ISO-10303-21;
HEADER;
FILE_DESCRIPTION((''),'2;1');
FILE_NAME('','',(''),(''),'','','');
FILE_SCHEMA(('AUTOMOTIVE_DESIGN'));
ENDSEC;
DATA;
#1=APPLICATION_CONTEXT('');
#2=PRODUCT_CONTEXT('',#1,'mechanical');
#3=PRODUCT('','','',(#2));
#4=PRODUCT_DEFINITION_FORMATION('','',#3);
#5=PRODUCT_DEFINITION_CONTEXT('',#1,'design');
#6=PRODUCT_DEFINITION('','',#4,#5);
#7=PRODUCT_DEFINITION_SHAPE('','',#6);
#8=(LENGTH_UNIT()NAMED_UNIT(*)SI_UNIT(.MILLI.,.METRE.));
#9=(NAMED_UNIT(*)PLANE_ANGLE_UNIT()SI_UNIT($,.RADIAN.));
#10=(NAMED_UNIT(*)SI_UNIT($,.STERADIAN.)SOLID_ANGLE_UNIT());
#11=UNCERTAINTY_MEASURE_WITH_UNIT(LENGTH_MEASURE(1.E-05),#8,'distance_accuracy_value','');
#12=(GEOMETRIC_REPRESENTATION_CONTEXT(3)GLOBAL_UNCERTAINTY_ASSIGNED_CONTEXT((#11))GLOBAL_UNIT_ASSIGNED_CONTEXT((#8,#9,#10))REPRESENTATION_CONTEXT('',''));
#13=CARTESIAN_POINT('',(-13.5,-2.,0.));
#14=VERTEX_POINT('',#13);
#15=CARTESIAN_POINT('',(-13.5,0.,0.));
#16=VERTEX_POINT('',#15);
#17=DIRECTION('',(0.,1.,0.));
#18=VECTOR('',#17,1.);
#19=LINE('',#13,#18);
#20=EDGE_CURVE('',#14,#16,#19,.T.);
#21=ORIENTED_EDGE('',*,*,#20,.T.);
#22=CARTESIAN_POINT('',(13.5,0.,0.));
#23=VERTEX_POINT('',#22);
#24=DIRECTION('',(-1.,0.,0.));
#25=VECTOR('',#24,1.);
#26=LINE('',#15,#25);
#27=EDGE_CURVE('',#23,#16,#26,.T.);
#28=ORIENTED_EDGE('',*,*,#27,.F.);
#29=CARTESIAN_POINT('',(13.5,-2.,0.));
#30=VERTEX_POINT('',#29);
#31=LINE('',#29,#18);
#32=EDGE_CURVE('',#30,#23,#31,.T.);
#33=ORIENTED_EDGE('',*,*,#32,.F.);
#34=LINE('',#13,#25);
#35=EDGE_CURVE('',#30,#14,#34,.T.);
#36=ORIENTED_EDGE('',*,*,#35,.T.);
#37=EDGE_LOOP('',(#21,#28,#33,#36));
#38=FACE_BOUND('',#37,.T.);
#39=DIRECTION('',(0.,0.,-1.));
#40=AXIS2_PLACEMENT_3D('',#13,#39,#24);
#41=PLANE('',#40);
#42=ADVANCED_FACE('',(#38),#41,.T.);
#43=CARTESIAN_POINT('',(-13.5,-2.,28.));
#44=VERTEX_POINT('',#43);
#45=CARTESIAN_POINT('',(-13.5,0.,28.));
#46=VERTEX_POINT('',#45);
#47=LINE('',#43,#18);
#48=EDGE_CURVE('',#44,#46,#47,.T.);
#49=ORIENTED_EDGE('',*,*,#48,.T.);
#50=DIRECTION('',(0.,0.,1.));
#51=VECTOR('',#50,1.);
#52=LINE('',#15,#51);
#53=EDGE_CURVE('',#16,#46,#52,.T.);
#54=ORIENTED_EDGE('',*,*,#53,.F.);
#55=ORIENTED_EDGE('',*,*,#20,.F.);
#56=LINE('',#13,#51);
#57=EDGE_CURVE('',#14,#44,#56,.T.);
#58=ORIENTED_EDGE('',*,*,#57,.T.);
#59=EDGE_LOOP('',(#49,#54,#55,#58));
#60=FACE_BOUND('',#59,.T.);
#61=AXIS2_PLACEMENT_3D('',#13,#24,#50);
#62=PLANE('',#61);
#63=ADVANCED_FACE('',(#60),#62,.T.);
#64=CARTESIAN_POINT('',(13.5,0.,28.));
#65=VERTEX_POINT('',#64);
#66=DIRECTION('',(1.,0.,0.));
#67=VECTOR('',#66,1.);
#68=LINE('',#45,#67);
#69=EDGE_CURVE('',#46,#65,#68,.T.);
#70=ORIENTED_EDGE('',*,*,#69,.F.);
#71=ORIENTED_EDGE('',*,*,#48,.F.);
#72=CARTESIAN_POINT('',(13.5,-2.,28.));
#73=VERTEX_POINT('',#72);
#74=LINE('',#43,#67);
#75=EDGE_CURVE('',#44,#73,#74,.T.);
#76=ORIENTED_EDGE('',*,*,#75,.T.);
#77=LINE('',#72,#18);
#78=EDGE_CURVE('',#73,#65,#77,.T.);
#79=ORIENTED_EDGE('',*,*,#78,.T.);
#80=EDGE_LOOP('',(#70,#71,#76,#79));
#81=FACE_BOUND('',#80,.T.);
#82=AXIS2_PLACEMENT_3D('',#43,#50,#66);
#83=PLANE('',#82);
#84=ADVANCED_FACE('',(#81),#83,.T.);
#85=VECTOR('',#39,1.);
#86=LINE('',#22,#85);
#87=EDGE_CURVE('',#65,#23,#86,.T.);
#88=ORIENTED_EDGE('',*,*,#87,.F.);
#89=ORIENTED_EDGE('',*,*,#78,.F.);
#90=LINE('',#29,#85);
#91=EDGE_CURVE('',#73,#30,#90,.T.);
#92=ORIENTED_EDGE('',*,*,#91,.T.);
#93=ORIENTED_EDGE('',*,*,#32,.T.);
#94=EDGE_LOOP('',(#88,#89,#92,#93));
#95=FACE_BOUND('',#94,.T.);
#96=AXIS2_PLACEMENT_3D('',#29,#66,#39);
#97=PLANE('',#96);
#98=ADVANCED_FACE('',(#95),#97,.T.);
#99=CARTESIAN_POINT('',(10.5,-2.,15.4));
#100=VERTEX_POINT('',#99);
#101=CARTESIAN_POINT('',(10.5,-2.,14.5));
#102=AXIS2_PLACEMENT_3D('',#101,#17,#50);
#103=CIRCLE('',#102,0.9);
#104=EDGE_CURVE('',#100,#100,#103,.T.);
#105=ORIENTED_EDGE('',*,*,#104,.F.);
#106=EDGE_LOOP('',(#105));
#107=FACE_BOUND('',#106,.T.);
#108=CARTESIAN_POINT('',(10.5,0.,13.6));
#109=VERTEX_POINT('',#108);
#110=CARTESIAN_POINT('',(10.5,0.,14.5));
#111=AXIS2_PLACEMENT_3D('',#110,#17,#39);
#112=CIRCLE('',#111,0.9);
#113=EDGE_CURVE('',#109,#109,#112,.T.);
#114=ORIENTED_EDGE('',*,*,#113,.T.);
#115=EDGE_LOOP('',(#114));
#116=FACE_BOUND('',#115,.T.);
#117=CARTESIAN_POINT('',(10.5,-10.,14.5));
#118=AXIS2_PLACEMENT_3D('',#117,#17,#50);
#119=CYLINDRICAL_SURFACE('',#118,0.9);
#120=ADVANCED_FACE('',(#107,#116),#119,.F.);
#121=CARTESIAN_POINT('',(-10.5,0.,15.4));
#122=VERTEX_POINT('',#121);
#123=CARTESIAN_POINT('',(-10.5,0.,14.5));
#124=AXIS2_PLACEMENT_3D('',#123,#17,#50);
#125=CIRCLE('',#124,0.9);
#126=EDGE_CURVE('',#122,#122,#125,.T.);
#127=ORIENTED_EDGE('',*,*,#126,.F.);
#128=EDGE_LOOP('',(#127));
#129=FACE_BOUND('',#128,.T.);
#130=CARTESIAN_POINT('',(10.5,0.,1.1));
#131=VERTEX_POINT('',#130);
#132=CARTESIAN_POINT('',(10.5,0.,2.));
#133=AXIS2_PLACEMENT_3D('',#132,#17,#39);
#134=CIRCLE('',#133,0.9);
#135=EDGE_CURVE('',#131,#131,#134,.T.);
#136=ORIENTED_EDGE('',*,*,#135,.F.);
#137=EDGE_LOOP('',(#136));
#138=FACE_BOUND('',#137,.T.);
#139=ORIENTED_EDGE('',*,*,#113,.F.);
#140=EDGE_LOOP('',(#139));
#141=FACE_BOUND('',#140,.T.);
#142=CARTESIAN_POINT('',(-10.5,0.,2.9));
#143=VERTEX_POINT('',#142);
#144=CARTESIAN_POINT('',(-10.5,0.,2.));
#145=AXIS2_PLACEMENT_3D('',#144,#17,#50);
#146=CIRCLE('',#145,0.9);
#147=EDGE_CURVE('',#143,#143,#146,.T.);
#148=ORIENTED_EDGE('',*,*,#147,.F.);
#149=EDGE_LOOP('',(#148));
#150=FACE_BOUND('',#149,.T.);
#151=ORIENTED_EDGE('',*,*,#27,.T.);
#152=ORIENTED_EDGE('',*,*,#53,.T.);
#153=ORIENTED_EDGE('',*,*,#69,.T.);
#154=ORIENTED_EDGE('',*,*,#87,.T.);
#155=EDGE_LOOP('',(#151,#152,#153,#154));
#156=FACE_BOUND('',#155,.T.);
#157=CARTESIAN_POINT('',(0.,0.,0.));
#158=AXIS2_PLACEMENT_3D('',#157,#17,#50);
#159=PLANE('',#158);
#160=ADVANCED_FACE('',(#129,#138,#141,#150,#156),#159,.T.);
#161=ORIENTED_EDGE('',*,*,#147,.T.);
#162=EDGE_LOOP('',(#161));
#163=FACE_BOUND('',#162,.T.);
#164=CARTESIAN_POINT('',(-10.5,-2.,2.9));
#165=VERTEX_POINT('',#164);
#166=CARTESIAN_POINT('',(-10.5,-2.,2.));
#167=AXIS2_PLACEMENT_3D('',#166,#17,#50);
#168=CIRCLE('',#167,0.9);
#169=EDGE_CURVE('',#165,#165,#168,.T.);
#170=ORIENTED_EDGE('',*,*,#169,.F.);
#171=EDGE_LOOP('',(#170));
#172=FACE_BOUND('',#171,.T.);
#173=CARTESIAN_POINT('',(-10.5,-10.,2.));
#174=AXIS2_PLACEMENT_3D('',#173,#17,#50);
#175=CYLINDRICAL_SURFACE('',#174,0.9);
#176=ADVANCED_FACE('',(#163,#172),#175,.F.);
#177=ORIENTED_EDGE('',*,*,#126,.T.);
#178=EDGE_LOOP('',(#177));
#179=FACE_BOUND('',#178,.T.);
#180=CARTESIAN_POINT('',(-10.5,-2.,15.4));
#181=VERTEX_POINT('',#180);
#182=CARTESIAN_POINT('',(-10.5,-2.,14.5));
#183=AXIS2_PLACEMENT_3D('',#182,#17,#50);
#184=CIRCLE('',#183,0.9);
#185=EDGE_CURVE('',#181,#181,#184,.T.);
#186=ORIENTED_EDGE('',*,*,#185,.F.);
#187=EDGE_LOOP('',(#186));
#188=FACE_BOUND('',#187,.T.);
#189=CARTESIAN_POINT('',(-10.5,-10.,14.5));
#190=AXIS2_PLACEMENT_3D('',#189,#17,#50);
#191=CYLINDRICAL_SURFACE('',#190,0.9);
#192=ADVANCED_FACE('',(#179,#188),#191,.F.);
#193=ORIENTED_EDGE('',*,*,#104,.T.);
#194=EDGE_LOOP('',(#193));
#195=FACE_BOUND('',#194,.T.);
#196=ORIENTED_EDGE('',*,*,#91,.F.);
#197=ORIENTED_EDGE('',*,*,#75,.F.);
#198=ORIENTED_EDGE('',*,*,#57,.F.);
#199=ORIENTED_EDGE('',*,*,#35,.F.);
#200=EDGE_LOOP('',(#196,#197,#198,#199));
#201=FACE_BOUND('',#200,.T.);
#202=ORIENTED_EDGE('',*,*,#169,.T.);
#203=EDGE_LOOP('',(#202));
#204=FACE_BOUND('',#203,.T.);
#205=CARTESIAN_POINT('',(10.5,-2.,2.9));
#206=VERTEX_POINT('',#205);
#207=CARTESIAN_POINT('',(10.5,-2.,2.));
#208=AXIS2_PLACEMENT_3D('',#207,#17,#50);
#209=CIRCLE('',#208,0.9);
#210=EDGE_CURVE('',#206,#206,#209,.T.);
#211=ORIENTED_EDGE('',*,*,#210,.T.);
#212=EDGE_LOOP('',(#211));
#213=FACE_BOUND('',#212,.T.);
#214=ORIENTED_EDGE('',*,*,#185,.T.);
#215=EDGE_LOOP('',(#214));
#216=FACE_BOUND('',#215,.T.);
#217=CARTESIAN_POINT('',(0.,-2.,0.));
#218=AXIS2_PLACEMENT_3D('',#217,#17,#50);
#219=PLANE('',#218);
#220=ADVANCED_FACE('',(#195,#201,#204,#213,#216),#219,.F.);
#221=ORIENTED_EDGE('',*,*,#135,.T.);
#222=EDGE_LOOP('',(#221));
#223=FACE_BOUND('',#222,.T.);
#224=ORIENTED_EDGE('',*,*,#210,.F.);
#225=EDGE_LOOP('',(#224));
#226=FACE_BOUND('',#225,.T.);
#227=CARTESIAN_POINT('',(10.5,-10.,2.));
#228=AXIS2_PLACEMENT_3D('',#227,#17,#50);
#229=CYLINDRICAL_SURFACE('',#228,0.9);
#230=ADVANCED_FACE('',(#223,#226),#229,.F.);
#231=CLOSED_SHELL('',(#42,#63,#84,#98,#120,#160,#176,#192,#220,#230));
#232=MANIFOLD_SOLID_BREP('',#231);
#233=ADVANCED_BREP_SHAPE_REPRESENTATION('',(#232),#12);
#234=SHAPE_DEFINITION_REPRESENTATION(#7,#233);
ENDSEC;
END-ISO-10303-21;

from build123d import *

# Parameters (mm, degrees)
SKETCH3_W           = 27
SKETCH3_H           = 28
BOSS_EXTRUDE1_DEPTH = 2
SKETCH2_R           = 0.9
CUT_EXTRUDE1_DEPTH  = 10


with BuildPart() as part:
    # Sketch3 → Boss-Extrude1 (new body)
    with BuildSketch(Plane(origin=(0, 0, 0), x_dir=(1, 0, 0), z_dir=(0, 1, 0))):
        with Locations((0, -14)):
            Rectangle(SKETCH3_W, SKETCH3_H)
    extrude(amount=-BOSS_EXTRUDE1_DEPTH)

    # Sketch2 → Cut-Extrude1 (cut)
    with BuildSketch(Plane(origin=(0, 0, 0), x_dir=(1, 0, 0), z_dir=(0, 1, 0))):
        with Locations(Location((-10.5, -2, 0), (0, 0, 270))):
            Circle(SKETCH2_R)
        with Locations(Location((-10.5, -14.5, 0), (0, 0, 270))):
            Circle(SKETCH2_R)
        with Locations(Location((10.5, -14.5, 0), (0, 0, 270))):
            Circle(SKETCH2_R)
        with Locations(Location((10.5, -2, 0), (0, 0, 270))):
            Circle(SKETCH2_R)
    extrude(amount=-CUT_EXTRUDE1_DEPTH, mode=Mode.SUBTRACT)


solid = part.part
